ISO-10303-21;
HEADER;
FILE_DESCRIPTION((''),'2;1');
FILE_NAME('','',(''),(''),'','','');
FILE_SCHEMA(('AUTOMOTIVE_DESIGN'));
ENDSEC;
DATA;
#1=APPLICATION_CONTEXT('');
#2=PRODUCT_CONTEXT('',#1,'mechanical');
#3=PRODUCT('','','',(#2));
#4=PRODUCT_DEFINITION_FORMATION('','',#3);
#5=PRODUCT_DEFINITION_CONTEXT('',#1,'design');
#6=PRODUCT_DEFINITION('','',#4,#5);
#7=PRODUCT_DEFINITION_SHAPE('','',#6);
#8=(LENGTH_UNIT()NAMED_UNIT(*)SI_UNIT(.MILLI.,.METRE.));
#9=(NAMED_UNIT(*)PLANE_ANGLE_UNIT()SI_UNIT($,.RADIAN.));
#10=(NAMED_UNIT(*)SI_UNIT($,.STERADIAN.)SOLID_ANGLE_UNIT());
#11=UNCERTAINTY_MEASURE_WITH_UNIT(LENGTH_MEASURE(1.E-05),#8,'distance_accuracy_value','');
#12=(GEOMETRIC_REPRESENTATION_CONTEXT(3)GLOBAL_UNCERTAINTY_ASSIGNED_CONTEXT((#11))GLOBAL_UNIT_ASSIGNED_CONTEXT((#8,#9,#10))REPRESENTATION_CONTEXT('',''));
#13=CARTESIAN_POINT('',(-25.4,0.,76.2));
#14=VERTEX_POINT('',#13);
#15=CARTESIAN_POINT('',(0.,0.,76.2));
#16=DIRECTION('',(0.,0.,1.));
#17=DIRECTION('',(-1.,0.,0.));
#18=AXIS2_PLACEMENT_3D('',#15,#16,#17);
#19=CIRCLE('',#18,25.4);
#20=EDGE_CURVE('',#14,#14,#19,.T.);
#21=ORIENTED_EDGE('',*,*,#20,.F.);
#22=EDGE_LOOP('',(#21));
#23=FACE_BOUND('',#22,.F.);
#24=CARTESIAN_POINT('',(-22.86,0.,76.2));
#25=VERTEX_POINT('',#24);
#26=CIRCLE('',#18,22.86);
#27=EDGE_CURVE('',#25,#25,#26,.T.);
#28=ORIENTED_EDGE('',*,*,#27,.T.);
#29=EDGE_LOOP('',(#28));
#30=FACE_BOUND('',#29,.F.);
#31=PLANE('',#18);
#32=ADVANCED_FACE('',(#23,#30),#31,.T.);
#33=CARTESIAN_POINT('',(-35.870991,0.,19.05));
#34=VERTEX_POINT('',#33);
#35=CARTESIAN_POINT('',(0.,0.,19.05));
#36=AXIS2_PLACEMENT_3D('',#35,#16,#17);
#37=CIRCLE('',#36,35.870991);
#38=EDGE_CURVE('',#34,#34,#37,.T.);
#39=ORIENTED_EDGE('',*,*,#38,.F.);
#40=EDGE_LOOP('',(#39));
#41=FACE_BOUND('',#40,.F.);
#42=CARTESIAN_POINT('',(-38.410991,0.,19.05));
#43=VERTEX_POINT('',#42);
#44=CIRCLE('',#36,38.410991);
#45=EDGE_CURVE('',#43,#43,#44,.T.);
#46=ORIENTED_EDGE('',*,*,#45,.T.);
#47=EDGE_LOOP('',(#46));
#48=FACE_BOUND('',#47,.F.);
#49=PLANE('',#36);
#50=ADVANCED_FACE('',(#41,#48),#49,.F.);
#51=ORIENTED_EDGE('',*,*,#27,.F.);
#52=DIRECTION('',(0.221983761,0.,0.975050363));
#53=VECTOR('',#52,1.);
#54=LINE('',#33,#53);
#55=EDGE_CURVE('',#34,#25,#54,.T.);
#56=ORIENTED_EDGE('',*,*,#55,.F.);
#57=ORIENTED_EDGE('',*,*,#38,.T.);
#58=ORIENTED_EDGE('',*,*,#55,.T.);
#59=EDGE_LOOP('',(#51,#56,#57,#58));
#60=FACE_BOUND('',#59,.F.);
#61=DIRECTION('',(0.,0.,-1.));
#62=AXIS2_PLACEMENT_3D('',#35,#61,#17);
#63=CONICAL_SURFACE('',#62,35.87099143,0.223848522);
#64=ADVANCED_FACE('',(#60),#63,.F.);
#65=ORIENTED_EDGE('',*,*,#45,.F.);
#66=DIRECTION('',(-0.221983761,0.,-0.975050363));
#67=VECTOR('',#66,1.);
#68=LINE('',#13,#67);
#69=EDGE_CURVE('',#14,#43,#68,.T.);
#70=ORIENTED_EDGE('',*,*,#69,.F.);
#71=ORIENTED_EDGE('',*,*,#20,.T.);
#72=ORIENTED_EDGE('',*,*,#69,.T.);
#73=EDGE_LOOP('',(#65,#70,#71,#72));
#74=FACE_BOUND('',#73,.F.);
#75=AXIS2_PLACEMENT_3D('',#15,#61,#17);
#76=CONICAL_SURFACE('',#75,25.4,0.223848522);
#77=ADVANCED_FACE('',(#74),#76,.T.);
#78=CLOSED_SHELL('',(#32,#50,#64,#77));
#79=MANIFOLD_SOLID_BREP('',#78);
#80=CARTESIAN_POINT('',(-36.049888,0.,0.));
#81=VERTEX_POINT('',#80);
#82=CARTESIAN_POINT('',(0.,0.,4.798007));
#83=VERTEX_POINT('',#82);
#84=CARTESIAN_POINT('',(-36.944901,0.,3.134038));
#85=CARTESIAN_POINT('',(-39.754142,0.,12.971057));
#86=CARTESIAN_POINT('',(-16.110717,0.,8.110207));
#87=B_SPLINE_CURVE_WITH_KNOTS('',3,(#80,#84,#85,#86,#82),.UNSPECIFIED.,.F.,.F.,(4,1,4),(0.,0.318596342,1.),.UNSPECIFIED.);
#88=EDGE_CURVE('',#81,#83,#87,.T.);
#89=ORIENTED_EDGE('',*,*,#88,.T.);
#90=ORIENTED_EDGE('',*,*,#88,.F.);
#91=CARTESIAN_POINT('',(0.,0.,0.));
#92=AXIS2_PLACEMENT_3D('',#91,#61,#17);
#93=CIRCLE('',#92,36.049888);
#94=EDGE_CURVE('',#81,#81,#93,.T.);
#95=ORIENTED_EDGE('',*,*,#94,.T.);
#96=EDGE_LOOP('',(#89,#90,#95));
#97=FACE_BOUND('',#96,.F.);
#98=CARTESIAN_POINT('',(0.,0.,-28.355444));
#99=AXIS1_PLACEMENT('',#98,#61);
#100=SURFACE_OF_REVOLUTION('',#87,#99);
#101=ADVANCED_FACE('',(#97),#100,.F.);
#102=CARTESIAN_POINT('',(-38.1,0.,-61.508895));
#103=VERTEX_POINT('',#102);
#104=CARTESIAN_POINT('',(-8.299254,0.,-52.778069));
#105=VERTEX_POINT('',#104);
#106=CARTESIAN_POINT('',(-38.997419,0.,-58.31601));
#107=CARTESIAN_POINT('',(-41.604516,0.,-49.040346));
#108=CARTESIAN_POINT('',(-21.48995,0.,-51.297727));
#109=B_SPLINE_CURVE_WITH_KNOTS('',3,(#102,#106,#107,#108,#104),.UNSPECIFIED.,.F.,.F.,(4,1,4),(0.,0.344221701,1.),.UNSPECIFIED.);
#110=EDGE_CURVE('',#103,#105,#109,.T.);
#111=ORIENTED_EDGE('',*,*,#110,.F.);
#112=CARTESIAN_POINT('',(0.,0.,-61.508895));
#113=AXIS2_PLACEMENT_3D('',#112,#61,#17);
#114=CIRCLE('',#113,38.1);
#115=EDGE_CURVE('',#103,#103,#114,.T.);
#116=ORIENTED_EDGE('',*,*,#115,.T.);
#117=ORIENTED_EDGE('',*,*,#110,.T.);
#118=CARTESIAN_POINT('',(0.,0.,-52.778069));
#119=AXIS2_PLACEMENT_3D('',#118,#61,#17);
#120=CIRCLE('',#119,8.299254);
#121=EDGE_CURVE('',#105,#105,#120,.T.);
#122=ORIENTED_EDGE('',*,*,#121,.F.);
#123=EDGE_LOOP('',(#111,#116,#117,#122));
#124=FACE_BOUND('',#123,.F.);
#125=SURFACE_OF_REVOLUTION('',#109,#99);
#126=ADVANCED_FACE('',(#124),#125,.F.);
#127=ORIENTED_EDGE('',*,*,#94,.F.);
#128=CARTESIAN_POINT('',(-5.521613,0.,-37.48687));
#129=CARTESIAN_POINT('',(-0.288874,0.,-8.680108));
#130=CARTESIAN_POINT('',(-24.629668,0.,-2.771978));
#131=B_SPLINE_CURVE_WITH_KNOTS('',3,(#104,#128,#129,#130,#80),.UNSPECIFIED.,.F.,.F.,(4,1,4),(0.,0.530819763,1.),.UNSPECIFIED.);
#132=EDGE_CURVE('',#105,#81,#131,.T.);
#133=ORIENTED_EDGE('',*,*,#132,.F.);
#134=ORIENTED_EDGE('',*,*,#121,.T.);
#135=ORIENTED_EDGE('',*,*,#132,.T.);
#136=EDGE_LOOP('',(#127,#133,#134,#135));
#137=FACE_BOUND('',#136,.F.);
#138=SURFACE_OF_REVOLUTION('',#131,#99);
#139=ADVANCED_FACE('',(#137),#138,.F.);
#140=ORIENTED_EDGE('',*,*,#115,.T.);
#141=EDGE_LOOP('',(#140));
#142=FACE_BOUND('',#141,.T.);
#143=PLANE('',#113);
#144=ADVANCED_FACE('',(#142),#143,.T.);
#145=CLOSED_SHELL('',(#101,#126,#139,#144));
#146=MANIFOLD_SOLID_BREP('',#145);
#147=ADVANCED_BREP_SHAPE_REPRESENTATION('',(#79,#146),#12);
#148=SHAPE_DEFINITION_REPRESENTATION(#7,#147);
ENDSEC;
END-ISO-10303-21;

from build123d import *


with BuildPart() as f1:
    # F0 (on Front) → F1 (revolve)
    with BuildSketch(Plane.XZ):
        with BuildLine():
            Line((-38.1, -61.508895377), (0, -61.508895377))
            Line((0, -61.508895377), (0, 4.798006732))
            add(Edge.make_bspline(
                [(-36.049887538, 0), (-36.944901427, 3.1340381109), (-39.7541423684, 12.9710565994), (-16.1107167165, 8.1102072545), (0, 4.798006732)],
                knots=[0, 0, 0, 0, 0.3185963424, 1, 1, 1, 1], degree=3))
            add(Edge.make_bspline(
                [(-8.299253881, -52.7780689299), (-5.5216129063, -37.4868704098), (-0.28887447, -8.6801084975), (-24.6296681712, -2.7719780472), (-36.049887538, 0)],
                knots=[0, 0, 0, 0, 0.5308197626, 1, 1, 1, 1], degree=3))
            add(Edge.make_bspline(
                [(-38.1, -61.508895377), (-38.9974191644, -58.3160103919), (-41.6045155832, -49.0403459756), (-21.4899496862, -51.2977272669), (-8.299253881, -52.7780689299)],
                knots=[0, 0, 0, 0, 0.3442217012, 1, 1, 1, 1], degree=3))
        make_face()
    revolve(axis=Axis((0, 0, -28.3554443225), (0, 0, -1)))


with BuildPart() as f3:
    # F2 (on Front) → F3 (revolve)
    with BuildSketch(Plane.XZ):
        Polygon((-22.86, 76.2), (-25.4, 76.2), (-38.4109914303, 19.05), (-35.8709914303, 19.05), align=None)
    revolve(axis=Axis((0, 0, 38.1), (0, 0, 1)))


solid = Compound([f1.part, f3.part])
